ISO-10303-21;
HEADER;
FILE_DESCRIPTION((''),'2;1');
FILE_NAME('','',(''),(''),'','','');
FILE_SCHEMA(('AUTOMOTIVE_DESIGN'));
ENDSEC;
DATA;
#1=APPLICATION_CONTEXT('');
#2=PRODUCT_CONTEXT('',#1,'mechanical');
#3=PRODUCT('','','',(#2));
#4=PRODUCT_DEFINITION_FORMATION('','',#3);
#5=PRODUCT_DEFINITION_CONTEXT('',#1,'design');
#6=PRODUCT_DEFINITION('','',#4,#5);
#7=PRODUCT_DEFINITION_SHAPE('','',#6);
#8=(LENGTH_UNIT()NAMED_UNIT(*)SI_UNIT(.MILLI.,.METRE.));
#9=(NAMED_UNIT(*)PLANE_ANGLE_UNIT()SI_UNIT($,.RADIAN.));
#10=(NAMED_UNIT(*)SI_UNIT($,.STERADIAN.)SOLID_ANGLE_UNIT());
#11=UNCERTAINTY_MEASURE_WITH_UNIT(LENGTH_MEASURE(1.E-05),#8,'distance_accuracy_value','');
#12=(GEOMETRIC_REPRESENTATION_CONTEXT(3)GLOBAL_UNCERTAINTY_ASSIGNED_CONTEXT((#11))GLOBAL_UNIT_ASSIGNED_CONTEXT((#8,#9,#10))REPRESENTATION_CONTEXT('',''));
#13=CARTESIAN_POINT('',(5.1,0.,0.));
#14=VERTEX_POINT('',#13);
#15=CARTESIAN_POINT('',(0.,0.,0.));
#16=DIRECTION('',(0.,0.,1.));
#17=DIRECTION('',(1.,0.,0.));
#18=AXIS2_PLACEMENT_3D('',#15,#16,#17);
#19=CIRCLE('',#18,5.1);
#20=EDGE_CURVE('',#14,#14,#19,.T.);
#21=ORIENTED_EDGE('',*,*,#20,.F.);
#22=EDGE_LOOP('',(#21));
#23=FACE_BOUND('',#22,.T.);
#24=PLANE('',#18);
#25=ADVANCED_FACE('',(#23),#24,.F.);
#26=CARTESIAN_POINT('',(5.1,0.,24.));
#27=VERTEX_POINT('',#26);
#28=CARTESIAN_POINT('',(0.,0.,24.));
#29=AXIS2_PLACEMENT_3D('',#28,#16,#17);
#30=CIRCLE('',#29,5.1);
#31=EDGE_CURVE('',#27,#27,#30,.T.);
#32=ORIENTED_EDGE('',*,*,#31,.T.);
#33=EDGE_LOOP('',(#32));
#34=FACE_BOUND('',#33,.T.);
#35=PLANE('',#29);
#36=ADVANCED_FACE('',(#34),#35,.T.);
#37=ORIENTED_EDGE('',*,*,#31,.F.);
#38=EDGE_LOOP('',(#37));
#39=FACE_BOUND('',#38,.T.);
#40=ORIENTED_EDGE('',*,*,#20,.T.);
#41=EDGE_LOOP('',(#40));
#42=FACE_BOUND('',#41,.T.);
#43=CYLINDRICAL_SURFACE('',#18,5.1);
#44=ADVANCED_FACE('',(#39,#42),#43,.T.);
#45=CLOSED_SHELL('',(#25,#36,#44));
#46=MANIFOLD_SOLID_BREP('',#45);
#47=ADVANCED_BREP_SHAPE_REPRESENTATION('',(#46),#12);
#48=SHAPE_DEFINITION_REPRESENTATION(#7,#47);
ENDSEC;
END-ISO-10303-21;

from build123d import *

# Parameters (mm, degrees)
SKETCH_1_R          = 8
EXTRUDE_1_DEPTH     = 24
SKETCH_2_R          = 42
EXTRUDE_2_DEPTH     = 18
SKETCH_4_OUTSIDE_W  = 110.238
SKETCH_4_OUTSIDE_H  = 110.238
SKETCH_4_OUTSIDE_R  = 5.1
CUT_EXTRUDE_2_DEPTH = 65.062469512


with BuildPart() as part:
    # 草图1 → 凸台-拉伸1 (new body)
    with BuildSketch(Plane.XY):
        Circle(SKETCH_1_R)
    extrude(amount=EXTRUDE_1_DEPTH)

    # 草图2 → 凸台-拉伸2 (add)
    with BuildSketch(Plane.XY):
        Circle(SKETCH_2_R)
    extrude(amount=EXTRUDE_2_DEPTH)

    # 草图4 outside → 切除-拉伸2 (cut, through all)
    with BuildSketch(Plane.XY.offset(24)):
        Rectangle(SKETCH_4_OUTSIDE_W, SKETCH_4_OUTSIDE_H)
        Circle(SKETCH_4_OUTSIDE_R, mode=Mode.SUBTRACT)
    extrude(amount=-CUT_EXTRUDE_2_DEPTH, mode=Mode.SUBTRACT)


solid = part.part
